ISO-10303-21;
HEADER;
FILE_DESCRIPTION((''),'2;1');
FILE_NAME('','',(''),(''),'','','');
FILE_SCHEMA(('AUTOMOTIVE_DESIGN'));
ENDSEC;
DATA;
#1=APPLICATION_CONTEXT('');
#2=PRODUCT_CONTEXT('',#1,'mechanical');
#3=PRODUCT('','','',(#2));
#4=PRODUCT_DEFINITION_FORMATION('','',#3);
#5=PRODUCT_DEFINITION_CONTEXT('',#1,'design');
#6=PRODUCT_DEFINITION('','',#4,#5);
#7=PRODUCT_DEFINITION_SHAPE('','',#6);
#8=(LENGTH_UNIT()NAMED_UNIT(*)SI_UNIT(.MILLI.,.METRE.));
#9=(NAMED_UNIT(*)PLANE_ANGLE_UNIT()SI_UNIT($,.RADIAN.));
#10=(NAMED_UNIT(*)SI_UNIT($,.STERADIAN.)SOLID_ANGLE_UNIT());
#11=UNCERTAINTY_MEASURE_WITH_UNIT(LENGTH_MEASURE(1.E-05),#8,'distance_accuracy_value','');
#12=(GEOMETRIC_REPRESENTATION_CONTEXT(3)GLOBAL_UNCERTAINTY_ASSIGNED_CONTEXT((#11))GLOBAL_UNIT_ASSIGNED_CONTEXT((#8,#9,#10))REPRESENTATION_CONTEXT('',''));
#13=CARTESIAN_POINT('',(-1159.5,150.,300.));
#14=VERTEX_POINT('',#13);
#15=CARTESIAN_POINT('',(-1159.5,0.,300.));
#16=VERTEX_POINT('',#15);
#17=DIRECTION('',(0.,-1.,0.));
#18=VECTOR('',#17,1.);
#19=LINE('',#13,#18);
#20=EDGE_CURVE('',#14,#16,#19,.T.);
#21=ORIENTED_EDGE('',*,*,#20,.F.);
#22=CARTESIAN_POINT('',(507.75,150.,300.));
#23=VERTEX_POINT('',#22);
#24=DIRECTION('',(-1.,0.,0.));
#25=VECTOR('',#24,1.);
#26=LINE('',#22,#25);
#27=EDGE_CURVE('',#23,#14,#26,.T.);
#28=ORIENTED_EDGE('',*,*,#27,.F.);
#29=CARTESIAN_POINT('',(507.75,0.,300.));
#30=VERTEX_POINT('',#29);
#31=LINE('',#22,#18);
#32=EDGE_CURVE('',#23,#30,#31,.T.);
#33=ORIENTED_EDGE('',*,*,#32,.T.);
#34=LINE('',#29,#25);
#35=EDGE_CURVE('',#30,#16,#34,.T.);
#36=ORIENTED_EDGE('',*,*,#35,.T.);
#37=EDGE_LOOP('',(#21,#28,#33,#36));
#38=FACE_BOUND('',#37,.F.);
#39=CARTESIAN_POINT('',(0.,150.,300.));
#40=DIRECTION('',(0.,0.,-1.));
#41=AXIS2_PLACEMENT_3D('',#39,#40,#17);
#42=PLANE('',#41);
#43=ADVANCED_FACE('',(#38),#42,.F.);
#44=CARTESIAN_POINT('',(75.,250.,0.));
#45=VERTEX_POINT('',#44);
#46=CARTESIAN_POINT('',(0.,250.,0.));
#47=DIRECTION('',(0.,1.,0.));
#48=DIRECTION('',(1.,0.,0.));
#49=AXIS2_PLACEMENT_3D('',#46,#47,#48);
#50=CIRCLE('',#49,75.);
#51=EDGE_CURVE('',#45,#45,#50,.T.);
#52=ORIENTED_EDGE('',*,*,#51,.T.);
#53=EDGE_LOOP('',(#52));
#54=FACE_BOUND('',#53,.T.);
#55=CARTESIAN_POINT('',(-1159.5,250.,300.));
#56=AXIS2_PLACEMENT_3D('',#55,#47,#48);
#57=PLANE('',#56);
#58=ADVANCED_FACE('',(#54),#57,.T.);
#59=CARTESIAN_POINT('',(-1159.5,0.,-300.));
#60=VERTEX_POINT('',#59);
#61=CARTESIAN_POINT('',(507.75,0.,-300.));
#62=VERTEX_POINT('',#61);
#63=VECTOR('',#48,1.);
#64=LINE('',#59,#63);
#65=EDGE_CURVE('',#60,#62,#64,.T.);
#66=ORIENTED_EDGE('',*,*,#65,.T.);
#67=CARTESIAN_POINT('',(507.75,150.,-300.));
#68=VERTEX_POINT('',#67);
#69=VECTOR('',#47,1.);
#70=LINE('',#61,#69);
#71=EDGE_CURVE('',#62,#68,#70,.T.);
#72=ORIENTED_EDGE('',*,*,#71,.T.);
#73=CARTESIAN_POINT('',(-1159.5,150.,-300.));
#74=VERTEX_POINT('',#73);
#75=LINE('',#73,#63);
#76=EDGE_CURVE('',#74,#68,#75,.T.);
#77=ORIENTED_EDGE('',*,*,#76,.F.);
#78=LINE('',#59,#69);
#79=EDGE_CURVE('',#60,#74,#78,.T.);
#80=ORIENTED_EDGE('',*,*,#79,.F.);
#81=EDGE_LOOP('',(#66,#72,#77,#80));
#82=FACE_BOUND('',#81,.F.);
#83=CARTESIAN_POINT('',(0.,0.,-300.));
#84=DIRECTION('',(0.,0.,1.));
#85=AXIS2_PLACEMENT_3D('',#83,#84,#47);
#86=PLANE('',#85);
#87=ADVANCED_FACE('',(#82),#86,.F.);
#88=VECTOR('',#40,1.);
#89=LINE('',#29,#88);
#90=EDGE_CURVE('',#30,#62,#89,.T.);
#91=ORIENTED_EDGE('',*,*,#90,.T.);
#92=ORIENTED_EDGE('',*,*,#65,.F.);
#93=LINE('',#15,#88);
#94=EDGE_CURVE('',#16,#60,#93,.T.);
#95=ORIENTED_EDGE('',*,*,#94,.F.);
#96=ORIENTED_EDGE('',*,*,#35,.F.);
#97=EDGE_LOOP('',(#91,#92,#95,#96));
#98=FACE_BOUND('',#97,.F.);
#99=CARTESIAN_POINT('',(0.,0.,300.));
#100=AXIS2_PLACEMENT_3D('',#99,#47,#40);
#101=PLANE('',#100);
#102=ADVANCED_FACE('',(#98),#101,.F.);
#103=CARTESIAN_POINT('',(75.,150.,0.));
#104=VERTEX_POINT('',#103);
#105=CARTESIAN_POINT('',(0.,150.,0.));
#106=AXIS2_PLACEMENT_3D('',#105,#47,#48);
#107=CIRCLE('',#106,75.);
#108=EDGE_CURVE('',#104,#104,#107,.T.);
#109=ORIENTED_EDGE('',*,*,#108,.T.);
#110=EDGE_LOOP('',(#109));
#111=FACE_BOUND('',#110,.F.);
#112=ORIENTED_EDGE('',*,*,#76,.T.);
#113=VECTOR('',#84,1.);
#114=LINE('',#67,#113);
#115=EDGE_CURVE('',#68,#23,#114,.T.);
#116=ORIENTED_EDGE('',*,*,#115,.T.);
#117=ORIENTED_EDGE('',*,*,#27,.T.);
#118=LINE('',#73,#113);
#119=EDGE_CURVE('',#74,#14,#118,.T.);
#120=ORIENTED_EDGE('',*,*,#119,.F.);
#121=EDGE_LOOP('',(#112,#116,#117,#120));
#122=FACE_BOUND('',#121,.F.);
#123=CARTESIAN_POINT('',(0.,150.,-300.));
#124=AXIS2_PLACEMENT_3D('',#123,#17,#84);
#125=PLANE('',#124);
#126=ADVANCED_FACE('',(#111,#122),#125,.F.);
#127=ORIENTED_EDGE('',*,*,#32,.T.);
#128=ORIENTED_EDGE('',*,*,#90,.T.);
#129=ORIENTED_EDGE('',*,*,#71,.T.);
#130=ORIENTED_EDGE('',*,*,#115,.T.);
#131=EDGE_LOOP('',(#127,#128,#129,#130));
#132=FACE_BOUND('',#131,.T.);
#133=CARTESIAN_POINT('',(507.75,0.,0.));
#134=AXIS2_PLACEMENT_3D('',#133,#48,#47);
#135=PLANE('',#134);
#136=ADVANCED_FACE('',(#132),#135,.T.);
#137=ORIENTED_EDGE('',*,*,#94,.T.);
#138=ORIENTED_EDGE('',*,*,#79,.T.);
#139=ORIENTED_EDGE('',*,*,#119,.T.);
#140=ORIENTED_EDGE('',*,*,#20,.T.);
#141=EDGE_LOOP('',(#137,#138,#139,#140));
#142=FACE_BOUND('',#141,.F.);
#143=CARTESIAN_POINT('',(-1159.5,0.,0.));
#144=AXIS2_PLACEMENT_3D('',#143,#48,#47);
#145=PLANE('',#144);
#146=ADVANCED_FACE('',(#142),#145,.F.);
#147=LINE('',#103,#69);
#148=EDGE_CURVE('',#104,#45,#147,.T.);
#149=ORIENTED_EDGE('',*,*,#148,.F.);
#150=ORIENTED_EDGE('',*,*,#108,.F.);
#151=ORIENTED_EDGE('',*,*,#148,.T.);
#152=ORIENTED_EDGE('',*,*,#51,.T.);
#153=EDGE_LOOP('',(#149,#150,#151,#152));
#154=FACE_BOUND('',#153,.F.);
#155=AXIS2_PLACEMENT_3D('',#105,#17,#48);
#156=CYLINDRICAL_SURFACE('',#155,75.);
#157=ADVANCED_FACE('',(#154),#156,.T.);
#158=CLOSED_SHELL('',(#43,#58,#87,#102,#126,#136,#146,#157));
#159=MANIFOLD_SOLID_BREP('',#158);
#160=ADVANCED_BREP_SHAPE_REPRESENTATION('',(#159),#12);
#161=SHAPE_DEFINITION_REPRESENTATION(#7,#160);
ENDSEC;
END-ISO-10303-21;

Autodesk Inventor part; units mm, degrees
ref_plane "YZ Plane" through (0, 0, 0) normal (1, 0, 0) x (0, 1, 0)
ref_plane "XZ Plane" through (0, 0, 0) normal (0, 1, 0) x (-1, 0, 0)
ref_plane "XY Plane" through (0, 0, 0) normal (0, 0, 1) x (1, 0, 0)
sketch "Sketch1" plane through (0, 0, 0) normal (1, 0, 0) x (0, 1, 0)
  line L0 (0, -300) -> (150, -300)
  line L1 (150, -300) -> (150, 300)
  line L2 (150, 300) -> (0, 300)
  line L3 (0, 300) -> (0, -300)
  line L4 (150, -110.5085) -> (250, -110.5085)
  line L5 (250, -110.5085) -> (250, 120.1522)
  line L6 (250, 120.1522) -> (150, 120.1522)
  line L7 (150, 120.1522) -> (150, -110.5085)
  line L8 (250, -527.4169) -> (326.5108, -527.4169)
  line L9 (326.5108, -527.4169) -> (326.5108, 687.4915)
  line L10 (326.5108, 687.4915) -> (250, 687.4915)
  line L11 (250, 687.4915) -> (250, -527.4169)
  line L12 (326.5108, -527.4169) -> (729.0925, -527.4169)
  line L13 (326.5108, 687.4915) -> (739.1213, 687.4915)
  point P0 (0, 0)
  point P1 (0, 0)
  dimension "d0" = 600
  dimension "d1" = 150
  dimension "d2" = 100
sketch "Sketch2" plane through (0, 0, 0) normal (1, 0, 0) x (0, 1, 0)
  line L0 (0, -300) -> (150, -300)
  line L1 (150, -300) -> (150, 300)
  line L2 (150, 300) -> (0, 300)
  line L3 (0, 300) -> (0, -300)
  point P0 (0, 0)
  point P1 (0, 0)
  dimension "d3" = 600
  dimension "d4" = 150
extrude "Extrusion1" add sketch "Sketch2" along normal blind 507.75 and the other way blind 1159.5
sketch "Sketch3" plane through (-1159.5, 150, 300) normal (0, 1, 0) x (1, 0, 0)
  circle A0 centre (1159.5, 300) radius 75
  dimension "d9" = 150
extrude "Extrusion2" add sketch "Sketch3" along normal blind 100
sketch3d "3D Sketch1"
equation "\"d3\" = d0"
equation "\"d4\" = d1"
equation "\"d10\" = d2"
properties part number "MSC DIM 012 carriage nose"
